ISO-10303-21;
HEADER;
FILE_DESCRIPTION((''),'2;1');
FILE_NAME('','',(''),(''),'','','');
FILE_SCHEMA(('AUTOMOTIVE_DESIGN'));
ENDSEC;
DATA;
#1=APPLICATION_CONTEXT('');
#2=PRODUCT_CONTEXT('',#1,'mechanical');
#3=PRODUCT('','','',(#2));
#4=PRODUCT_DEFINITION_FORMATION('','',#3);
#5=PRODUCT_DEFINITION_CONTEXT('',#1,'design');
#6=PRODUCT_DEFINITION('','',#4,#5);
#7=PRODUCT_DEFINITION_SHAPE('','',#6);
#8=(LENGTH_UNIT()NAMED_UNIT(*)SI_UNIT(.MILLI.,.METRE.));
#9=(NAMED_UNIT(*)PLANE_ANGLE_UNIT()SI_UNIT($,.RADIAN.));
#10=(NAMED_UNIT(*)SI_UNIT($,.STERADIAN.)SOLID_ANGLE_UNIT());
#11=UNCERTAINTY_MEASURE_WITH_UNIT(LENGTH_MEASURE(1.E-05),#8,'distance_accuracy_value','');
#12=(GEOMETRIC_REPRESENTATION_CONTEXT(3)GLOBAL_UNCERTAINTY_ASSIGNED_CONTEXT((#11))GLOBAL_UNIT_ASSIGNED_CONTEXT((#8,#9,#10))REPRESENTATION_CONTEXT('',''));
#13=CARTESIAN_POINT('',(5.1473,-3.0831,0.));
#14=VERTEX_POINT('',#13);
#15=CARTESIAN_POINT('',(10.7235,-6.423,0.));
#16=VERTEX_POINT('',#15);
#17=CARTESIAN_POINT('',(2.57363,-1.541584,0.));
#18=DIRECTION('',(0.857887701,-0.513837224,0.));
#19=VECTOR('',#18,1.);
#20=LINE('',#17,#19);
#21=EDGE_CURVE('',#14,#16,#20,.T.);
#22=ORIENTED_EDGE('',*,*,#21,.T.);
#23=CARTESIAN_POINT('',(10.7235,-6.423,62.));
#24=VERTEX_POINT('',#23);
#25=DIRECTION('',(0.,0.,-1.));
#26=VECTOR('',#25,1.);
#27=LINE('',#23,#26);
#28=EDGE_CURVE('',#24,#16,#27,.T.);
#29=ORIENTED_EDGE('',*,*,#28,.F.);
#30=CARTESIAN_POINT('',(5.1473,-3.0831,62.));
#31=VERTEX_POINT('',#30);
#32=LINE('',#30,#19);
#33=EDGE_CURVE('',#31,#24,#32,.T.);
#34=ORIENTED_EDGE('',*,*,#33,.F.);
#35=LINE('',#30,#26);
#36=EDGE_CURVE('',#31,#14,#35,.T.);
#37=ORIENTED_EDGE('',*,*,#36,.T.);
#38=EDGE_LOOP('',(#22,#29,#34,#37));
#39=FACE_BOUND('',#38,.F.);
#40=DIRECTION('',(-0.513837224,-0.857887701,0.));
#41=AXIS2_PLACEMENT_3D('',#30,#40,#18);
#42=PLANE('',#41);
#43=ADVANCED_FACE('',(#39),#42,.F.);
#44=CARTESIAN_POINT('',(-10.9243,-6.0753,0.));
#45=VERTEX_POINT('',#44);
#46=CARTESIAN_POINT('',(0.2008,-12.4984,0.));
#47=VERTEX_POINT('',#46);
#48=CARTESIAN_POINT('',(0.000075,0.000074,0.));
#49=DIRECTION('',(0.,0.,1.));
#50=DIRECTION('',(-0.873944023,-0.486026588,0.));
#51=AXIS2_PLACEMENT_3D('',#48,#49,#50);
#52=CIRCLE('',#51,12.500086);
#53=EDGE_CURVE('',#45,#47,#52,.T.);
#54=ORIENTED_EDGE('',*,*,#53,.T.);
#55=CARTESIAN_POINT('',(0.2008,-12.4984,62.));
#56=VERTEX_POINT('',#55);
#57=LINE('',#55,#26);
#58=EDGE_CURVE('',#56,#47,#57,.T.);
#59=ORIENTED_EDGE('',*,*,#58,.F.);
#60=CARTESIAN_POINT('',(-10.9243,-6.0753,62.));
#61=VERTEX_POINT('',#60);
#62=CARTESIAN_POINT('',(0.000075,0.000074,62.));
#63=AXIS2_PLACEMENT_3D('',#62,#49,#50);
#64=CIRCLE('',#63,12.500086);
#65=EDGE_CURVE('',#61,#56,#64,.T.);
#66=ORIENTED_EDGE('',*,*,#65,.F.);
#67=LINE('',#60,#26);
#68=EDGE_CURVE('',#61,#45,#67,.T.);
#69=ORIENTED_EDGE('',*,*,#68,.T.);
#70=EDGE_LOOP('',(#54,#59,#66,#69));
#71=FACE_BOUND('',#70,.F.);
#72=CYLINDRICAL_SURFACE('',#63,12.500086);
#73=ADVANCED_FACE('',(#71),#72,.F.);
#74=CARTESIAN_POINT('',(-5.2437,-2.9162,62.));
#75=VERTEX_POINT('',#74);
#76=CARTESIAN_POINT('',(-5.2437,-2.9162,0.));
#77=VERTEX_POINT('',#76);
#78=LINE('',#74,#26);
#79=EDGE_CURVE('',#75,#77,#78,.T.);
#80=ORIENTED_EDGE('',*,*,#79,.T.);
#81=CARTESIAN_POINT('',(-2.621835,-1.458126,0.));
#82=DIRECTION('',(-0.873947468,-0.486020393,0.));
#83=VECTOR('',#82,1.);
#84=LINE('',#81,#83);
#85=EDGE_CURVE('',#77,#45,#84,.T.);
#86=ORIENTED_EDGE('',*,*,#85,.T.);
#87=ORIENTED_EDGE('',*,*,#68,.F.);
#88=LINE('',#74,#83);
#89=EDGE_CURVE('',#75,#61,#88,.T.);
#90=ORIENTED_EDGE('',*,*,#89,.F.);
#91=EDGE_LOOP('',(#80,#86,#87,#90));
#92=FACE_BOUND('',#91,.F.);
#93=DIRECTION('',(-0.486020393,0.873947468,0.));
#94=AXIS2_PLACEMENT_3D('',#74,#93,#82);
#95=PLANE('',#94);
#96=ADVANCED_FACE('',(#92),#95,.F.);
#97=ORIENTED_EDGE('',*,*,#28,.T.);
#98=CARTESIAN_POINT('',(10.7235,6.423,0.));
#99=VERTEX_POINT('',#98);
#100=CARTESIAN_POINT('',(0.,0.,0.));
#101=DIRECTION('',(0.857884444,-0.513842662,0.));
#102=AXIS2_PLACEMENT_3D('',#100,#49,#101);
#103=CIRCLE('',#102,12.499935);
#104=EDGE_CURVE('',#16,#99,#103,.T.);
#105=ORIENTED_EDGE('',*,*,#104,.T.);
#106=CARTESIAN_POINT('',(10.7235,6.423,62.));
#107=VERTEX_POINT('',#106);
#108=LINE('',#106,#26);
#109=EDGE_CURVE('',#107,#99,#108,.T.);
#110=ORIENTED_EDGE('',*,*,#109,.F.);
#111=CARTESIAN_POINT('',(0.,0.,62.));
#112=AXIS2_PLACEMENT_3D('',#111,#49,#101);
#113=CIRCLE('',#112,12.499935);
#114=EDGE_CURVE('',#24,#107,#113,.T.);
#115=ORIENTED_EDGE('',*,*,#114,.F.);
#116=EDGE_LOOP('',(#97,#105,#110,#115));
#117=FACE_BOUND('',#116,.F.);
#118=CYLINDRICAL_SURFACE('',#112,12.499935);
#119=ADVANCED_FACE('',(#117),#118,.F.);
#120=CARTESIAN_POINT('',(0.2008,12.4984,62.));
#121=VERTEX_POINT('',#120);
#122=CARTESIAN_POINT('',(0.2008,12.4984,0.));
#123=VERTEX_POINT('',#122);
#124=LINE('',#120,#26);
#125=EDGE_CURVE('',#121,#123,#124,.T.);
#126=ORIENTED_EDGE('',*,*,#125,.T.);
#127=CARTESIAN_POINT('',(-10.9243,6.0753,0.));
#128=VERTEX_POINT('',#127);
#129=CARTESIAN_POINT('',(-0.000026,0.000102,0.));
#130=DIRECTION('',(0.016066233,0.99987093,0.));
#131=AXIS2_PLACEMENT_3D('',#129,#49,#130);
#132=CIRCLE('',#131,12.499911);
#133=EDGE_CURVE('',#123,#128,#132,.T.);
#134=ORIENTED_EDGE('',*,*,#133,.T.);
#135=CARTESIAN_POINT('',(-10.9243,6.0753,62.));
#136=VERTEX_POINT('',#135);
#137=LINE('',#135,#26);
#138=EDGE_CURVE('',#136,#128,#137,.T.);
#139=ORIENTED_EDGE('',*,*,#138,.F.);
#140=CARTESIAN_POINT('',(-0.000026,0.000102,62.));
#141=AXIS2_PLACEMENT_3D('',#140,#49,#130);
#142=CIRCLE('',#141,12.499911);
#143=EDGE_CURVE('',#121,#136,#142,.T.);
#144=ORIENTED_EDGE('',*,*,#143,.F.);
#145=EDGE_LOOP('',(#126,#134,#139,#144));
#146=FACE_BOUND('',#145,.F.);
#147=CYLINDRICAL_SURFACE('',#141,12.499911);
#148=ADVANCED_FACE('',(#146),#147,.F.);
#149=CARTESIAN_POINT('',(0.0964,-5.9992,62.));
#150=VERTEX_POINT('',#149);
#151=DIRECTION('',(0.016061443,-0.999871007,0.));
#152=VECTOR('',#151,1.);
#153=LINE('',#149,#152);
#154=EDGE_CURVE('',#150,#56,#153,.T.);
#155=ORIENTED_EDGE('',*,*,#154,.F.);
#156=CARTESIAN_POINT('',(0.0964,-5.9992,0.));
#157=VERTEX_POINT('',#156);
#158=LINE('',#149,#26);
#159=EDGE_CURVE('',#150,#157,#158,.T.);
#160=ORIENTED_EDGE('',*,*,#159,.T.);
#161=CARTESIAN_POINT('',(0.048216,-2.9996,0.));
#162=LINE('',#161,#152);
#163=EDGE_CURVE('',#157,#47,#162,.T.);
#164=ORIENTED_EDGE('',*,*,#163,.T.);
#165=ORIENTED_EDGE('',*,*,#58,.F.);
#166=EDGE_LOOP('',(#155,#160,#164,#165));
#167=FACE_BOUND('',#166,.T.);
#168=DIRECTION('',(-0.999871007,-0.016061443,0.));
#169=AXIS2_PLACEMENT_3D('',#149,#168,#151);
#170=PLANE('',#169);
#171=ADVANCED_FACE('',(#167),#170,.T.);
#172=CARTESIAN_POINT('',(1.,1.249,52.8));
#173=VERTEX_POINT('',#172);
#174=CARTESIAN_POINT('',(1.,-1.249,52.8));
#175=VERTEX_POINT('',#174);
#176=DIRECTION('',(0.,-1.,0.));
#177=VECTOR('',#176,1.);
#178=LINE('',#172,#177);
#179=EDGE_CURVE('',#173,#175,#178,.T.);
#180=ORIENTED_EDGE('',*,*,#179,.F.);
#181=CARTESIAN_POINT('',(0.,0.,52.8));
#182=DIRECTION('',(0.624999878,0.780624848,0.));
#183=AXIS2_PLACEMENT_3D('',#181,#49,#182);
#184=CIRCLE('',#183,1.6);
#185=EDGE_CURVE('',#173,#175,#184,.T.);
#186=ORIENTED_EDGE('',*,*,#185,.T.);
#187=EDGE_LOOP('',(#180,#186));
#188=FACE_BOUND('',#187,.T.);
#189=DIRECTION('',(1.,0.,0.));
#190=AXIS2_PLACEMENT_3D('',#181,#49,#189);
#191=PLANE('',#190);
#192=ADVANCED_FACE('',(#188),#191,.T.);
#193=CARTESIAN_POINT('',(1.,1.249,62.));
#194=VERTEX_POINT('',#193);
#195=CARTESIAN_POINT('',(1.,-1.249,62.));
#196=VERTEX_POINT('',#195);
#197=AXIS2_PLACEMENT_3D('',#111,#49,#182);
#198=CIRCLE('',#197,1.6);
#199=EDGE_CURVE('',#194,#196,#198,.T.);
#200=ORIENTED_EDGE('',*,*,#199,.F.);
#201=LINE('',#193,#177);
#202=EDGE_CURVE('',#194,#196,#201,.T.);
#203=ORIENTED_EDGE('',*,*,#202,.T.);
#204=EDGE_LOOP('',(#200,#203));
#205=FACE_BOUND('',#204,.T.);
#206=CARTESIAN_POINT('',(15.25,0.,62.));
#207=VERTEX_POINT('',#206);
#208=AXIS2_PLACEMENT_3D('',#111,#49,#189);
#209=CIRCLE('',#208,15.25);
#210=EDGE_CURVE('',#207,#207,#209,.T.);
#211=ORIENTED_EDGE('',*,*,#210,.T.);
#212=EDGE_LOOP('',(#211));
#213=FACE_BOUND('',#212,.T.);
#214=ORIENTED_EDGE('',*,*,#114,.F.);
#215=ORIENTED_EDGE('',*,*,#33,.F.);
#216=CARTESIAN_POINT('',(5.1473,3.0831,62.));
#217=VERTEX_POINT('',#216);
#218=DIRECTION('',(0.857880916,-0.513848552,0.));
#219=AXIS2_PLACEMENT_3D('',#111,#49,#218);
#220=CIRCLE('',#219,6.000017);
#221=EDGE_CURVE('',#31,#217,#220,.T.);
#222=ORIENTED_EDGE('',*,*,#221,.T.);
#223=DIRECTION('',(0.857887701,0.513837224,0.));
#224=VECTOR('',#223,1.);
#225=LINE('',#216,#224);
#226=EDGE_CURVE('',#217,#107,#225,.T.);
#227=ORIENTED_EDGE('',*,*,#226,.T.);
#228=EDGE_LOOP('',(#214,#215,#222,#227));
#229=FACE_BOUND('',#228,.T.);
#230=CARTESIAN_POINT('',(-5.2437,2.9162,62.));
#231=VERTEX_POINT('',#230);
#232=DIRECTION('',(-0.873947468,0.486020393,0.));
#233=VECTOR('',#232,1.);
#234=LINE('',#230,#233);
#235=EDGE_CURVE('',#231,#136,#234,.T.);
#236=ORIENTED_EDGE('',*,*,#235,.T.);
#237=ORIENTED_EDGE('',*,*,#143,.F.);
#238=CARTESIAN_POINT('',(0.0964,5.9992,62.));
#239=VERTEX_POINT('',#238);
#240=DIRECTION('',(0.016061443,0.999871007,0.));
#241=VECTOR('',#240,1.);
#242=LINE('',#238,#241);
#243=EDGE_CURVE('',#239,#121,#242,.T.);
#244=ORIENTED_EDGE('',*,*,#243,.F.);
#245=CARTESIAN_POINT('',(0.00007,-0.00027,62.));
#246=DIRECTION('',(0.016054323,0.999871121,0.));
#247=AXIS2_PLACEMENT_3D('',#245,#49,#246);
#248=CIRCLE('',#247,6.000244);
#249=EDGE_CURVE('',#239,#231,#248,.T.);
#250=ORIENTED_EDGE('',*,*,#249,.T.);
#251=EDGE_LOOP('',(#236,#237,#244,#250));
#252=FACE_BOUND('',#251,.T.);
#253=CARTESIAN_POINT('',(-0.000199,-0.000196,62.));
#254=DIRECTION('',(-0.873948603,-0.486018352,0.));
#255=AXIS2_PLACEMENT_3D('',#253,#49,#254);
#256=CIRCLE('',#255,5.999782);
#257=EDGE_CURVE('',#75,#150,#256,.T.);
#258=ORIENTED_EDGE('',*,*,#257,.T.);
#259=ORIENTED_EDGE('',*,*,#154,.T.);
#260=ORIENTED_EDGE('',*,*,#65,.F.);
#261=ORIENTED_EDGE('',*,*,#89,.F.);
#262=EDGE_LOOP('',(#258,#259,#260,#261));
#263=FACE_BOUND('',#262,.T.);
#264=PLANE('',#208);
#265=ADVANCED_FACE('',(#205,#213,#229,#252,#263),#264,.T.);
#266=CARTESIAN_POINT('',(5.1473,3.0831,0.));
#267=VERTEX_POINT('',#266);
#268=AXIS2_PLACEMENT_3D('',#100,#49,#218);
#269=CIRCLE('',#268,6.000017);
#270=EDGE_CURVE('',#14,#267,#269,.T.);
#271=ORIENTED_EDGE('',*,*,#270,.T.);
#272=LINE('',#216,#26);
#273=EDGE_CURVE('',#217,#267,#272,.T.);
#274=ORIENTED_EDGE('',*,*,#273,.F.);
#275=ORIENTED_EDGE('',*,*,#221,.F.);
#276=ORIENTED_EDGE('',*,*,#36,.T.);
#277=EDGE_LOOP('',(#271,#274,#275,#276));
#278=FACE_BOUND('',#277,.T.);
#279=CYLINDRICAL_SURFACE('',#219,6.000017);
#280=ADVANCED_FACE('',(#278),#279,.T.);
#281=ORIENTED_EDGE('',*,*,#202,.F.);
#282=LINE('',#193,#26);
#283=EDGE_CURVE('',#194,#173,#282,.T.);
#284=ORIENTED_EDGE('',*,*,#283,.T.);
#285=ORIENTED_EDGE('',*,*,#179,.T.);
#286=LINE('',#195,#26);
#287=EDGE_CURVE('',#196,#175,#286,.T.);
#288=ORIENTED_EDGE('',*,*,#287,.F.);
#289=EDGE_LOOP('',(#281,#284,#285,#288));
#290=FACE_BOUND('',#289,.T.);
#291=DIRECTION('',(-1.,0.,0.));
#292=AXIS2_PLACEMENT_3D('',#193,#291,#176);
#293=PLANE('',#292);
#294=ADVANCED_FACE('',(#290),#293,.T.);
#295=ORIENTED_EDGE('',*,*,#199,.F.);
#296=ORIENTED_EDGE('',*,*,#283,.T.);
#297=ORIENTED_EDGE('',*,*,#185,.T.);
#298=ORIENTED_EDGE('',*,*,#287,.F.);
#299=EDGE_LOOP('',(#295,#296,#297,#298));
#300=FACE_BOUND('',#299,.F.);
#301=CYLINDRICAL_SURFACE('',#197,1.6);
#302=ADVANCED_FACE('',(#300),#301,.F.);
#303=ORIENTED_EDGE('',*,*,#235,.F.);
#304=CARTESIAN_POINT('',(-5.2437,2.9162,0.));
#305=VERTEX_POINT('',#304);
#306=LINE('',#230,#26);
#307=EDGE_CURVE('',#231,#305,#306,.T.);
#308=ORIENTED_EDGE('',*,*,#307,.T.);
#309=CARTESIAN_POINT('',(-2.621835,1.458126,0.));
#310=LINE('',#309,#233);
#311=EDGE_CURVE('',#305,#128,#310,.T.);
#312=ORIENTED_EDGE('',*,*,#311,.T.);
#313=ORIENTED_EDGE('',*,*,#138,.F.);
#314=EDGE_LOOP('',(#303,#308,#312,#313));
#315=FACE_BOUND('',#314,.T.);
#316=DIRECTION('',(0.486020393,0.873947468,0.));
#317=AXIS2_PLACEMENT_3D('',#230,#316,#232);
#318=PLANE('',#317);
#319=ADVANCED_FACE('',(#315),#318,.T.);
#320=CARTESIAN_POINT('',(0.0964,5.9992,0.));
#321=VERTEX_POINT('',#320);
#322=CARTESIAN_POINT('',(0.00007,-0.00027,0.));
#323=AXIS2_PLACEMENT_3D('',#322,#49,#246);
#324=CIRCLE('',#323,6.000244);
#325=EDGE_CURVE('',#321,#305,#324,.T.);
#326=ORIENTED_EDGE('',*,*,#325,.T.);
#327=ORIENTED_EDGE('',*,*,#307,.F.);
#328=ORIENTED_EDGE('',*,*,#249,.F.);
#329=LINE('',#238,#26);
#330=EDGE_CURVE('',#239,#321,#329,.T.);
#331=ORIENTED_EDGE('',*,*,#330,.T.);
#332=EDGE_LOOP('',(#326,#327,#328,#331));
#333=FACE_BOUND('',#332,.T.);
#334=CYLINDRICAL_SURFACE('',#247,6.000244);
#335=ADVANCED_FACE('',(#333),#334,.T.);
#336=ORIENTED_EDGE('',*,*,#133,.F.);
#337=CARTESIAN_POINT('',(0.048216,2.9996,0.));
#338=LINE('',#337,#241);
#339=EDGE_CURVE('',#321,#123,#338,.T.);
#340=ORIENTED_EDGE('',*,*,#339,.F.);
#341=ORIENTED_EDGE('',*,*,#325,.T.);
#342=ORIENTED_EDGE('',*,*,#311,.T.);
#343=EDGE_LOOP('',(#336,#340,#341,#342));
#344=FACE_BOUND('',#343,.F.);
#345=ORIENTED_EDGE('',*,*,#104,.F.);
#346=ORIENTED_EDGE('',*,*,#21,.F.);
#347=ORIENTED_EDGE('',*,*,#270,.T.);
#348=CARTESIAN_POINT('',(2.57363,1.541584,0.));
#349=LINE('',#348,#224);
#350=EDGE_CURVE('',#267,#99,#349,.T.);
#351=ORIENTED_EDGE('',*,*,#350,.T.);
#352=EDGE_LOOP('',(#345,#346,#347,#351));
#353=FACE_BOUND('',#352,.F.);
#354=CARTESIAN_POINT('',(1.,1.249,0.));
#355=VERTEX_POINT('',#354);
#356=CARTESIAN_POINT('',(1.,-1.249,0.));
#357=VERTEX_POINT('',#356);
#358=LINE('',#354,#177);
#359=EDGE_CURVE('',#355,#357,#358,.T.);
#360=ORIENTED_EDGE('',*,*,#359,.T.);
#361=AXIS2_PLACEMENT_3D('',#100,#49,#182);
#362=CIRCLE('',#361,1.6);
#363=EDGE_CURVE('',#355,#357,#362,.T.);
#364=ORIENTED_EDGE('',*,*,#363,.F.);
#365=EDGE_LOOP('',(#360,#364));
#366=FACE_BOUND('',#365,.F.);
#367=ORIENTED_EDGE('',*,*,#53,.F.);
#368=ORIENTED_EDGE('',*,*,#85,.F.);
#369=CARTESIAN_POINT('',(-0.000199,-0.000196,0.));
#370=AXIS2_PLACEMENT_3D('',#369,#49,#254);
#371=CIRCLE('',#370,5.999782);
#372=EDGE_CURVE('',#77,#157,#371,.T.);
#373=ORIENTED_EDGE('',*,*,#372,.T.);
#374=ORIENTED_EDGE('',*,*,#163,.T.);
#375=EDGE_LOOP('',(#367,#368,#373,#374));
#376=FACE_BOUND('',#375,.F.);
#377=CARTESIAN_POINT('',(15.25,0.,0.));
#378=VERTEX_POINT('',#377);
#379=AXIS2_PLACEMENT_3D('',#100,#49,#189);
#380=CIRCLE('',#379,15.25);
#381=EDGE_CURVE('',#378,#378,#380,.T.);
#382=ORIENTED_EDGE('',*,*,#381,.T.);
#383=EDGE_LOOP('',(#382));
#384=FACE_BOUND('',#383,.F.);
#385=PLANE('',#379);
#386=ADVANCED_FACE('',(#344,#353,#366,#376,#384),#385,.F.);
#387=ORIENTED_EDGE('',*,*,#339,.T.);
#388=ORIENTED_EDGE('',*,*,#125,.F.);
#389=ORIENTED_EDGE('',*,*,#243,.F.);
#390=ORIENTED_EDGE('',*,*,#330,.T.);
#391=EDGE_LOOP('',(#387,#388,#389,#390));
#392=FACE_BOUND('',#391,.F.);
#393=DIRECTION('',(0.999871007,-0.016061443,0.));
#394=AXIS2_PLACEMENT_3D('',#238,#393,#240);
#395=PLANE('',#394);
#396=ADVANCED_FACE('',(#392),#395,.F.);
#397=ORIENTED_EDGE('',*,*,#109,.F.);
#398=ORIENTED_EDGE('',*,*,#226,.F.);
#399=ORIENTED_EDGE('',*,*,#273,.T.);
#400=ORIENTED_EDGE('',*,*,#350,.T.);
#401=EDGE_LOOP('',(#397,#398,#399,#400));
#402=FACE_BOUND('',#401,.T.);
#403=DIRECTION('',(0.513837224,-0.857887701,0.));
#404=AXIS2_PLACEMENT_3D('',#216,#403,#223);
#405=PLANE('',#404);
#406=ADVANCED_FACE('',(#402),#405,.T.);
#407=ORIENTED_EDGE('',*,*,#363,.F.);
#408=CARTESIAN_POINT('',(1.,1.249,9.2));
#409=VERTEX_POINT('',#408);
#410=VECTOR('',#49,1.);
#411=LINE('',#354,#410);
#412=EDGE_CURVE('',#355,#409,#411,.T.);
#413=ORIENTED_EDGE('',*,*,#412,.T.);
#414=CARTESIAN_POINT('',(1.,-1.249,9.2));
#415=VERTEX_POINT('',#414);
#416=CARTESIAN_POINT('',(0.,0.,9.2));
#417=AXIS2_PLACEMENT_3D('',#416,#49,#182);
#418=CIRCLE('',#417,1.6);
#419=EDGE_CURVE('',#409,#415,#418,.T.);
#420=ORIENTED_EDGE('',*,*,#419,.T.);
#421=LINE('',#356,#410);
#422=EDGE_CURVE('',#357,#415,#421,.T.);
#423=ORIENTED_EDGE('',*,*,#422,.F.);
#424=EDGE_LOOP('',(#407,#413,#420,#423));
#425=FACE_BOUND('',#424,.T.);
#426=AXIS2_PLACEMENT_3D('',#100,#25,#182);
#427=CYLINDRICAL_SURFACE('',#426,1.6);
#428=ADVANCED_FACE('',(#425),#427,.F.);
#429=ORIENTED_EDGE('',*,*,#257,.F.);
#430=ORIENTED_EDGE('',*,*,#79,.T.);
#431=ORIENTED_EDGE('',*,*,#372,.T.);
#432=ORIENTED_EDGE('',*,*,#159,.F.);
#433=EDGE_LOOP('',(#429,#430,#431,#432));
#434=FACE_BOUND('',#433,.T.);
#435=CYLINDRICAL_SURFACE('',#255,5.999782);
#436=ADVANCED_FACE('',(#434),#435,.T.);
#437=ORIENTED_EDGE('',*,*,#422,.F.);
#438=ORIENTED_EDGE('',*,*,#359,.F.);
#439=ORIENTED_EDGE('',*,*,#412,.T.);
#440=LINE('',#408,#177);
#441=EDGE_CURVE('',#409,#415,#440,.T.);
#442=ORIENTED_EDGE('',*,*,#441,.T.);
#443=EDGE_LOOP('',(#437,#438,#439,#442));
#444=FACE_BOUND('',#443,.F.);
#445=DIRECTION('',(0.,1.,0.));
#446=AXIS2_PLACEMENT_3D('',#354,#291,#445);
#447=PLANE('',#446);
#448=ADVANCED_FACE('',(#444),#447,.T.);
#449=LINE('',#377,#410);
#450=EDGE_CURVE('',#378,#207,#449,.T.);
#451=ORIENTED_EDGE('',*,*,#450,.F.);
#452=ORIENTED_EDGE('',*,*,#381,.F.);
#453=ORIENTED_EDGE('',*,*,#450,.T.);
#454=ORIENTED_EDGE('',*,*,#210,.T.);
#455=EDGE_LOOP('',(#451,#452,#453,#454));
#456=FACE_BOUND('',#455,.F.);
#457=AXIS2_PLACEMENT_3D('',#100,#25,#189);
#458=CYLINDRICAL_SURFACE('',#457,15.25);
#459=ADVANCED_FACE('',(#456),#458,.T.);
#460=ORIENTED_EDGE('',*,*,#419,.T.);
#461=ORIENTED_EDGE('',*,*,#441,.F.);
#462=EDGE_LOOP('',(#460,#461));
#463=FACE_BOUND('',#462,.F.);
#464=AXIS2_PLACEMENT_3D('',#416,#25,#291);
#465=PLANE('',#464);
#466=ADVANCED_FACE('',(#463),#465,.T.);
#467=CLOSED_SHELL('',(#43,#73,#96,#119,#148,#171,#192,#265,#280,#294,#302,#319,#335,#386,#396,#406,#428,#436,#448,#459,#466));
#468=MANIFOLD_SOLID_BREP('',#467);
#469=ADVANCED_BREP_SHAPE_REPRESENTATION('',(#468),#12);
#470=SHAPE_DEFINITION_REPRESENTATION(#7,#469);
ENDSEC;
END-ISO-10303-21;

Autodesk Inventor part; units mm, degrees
ref_plane "YZ Plane" through (0, 0, 0) normal (1, 0, 0) x (0, 1, 0)
ref_plane "XZ Plane" through (0, 0, 0) normal (0, 1, 0) x (-1, 0, 0)
sketch "草图1" plane through (0, 0, 0) normal (0, 0, 1) x (1, 0, 0)
  circle A0 centre (0, 0) radius 15.25
  dimension "d0" = 30.5
extrude "拉伸1" add sketch "草图1" along normal blind 62
sketch "草图2" plane through (0, 0, 62) normal (0, 0, 1) x (1, 0, 0)
  arc A0 (5.1473, -3.0831) -> (5.1473, 3.0831) centre (0, 0) ccw
  arc A1 (10.7235, -6.423) -> (10.7235, 6.423) centre (0, 0) ccw
  line L0 (5.1473, 3.0831) -> (10.7235, 6.423)
  line L1 (0, 0) -> (24.4496, 0) construction
  line L2 (5.1473, -3.0831) -> (10.7235, -6.423)
  line L3 (-5.2437, 2.9162) -> (-10.9243, 6.0753)
  arc A2 (0.0964, 5.9992) -> (-5.2437, 2.9162) centre (0, 0) ccw
  line L4 (0.0964, 5.9992) -> (0.2008, 12.4984)
  arc A3 (0.2008, 12.4984) -> (-10.9243, 6.0753) centre (0, 0) ccw
  line L5 (0.0964, -5.9992) -> (0.2008, -12.4984)
  arc A4 (-5.2437, -2.9162) -> (0.0964, -5.9992) centre (0, 0) ccw
  line L6 (-5.2437, -2.9162) -> (-10.9243, -6.0753)
  arc A5 (-10.9243, -6.0753) -> (0.2008, -12.4984) centre (0, 0) ccw
  dimension "d4" = 12
  dimension "d5" = 30.92
  dimension "d8" = 360
  dimension "d16" = 12.5
extrude "拉伸2" cut sketch "草图2" against normal through all
sketch "草图3" plane through (0, 0, 62) normal (0, 0, 1) x (1, 0, 0)
  arc A0 (1, 1.249) -> (1, -1.249) centre (0, 0) ccw
  line L0 (1, 1.249) -> (1, -1.249)
  line L1 (-1.6, 0) -> (-1.6, 2.5625) construction
  dimension "d12" = 3.2
  dimension "d13" = 2.6
extrude "拉伸3" cut sketch "草图3" against normal blind 9.2
ref_plane "工作平面1" through (0, 0, 31) normal (0, 0, 1) x (1, 0, 0)
mirror "镜像1" about plane through (0, 0, 31) normal (0, 0, 1) of "拉伸3"
properties part number "滚轮内轮" material "尼龙 6/6"
